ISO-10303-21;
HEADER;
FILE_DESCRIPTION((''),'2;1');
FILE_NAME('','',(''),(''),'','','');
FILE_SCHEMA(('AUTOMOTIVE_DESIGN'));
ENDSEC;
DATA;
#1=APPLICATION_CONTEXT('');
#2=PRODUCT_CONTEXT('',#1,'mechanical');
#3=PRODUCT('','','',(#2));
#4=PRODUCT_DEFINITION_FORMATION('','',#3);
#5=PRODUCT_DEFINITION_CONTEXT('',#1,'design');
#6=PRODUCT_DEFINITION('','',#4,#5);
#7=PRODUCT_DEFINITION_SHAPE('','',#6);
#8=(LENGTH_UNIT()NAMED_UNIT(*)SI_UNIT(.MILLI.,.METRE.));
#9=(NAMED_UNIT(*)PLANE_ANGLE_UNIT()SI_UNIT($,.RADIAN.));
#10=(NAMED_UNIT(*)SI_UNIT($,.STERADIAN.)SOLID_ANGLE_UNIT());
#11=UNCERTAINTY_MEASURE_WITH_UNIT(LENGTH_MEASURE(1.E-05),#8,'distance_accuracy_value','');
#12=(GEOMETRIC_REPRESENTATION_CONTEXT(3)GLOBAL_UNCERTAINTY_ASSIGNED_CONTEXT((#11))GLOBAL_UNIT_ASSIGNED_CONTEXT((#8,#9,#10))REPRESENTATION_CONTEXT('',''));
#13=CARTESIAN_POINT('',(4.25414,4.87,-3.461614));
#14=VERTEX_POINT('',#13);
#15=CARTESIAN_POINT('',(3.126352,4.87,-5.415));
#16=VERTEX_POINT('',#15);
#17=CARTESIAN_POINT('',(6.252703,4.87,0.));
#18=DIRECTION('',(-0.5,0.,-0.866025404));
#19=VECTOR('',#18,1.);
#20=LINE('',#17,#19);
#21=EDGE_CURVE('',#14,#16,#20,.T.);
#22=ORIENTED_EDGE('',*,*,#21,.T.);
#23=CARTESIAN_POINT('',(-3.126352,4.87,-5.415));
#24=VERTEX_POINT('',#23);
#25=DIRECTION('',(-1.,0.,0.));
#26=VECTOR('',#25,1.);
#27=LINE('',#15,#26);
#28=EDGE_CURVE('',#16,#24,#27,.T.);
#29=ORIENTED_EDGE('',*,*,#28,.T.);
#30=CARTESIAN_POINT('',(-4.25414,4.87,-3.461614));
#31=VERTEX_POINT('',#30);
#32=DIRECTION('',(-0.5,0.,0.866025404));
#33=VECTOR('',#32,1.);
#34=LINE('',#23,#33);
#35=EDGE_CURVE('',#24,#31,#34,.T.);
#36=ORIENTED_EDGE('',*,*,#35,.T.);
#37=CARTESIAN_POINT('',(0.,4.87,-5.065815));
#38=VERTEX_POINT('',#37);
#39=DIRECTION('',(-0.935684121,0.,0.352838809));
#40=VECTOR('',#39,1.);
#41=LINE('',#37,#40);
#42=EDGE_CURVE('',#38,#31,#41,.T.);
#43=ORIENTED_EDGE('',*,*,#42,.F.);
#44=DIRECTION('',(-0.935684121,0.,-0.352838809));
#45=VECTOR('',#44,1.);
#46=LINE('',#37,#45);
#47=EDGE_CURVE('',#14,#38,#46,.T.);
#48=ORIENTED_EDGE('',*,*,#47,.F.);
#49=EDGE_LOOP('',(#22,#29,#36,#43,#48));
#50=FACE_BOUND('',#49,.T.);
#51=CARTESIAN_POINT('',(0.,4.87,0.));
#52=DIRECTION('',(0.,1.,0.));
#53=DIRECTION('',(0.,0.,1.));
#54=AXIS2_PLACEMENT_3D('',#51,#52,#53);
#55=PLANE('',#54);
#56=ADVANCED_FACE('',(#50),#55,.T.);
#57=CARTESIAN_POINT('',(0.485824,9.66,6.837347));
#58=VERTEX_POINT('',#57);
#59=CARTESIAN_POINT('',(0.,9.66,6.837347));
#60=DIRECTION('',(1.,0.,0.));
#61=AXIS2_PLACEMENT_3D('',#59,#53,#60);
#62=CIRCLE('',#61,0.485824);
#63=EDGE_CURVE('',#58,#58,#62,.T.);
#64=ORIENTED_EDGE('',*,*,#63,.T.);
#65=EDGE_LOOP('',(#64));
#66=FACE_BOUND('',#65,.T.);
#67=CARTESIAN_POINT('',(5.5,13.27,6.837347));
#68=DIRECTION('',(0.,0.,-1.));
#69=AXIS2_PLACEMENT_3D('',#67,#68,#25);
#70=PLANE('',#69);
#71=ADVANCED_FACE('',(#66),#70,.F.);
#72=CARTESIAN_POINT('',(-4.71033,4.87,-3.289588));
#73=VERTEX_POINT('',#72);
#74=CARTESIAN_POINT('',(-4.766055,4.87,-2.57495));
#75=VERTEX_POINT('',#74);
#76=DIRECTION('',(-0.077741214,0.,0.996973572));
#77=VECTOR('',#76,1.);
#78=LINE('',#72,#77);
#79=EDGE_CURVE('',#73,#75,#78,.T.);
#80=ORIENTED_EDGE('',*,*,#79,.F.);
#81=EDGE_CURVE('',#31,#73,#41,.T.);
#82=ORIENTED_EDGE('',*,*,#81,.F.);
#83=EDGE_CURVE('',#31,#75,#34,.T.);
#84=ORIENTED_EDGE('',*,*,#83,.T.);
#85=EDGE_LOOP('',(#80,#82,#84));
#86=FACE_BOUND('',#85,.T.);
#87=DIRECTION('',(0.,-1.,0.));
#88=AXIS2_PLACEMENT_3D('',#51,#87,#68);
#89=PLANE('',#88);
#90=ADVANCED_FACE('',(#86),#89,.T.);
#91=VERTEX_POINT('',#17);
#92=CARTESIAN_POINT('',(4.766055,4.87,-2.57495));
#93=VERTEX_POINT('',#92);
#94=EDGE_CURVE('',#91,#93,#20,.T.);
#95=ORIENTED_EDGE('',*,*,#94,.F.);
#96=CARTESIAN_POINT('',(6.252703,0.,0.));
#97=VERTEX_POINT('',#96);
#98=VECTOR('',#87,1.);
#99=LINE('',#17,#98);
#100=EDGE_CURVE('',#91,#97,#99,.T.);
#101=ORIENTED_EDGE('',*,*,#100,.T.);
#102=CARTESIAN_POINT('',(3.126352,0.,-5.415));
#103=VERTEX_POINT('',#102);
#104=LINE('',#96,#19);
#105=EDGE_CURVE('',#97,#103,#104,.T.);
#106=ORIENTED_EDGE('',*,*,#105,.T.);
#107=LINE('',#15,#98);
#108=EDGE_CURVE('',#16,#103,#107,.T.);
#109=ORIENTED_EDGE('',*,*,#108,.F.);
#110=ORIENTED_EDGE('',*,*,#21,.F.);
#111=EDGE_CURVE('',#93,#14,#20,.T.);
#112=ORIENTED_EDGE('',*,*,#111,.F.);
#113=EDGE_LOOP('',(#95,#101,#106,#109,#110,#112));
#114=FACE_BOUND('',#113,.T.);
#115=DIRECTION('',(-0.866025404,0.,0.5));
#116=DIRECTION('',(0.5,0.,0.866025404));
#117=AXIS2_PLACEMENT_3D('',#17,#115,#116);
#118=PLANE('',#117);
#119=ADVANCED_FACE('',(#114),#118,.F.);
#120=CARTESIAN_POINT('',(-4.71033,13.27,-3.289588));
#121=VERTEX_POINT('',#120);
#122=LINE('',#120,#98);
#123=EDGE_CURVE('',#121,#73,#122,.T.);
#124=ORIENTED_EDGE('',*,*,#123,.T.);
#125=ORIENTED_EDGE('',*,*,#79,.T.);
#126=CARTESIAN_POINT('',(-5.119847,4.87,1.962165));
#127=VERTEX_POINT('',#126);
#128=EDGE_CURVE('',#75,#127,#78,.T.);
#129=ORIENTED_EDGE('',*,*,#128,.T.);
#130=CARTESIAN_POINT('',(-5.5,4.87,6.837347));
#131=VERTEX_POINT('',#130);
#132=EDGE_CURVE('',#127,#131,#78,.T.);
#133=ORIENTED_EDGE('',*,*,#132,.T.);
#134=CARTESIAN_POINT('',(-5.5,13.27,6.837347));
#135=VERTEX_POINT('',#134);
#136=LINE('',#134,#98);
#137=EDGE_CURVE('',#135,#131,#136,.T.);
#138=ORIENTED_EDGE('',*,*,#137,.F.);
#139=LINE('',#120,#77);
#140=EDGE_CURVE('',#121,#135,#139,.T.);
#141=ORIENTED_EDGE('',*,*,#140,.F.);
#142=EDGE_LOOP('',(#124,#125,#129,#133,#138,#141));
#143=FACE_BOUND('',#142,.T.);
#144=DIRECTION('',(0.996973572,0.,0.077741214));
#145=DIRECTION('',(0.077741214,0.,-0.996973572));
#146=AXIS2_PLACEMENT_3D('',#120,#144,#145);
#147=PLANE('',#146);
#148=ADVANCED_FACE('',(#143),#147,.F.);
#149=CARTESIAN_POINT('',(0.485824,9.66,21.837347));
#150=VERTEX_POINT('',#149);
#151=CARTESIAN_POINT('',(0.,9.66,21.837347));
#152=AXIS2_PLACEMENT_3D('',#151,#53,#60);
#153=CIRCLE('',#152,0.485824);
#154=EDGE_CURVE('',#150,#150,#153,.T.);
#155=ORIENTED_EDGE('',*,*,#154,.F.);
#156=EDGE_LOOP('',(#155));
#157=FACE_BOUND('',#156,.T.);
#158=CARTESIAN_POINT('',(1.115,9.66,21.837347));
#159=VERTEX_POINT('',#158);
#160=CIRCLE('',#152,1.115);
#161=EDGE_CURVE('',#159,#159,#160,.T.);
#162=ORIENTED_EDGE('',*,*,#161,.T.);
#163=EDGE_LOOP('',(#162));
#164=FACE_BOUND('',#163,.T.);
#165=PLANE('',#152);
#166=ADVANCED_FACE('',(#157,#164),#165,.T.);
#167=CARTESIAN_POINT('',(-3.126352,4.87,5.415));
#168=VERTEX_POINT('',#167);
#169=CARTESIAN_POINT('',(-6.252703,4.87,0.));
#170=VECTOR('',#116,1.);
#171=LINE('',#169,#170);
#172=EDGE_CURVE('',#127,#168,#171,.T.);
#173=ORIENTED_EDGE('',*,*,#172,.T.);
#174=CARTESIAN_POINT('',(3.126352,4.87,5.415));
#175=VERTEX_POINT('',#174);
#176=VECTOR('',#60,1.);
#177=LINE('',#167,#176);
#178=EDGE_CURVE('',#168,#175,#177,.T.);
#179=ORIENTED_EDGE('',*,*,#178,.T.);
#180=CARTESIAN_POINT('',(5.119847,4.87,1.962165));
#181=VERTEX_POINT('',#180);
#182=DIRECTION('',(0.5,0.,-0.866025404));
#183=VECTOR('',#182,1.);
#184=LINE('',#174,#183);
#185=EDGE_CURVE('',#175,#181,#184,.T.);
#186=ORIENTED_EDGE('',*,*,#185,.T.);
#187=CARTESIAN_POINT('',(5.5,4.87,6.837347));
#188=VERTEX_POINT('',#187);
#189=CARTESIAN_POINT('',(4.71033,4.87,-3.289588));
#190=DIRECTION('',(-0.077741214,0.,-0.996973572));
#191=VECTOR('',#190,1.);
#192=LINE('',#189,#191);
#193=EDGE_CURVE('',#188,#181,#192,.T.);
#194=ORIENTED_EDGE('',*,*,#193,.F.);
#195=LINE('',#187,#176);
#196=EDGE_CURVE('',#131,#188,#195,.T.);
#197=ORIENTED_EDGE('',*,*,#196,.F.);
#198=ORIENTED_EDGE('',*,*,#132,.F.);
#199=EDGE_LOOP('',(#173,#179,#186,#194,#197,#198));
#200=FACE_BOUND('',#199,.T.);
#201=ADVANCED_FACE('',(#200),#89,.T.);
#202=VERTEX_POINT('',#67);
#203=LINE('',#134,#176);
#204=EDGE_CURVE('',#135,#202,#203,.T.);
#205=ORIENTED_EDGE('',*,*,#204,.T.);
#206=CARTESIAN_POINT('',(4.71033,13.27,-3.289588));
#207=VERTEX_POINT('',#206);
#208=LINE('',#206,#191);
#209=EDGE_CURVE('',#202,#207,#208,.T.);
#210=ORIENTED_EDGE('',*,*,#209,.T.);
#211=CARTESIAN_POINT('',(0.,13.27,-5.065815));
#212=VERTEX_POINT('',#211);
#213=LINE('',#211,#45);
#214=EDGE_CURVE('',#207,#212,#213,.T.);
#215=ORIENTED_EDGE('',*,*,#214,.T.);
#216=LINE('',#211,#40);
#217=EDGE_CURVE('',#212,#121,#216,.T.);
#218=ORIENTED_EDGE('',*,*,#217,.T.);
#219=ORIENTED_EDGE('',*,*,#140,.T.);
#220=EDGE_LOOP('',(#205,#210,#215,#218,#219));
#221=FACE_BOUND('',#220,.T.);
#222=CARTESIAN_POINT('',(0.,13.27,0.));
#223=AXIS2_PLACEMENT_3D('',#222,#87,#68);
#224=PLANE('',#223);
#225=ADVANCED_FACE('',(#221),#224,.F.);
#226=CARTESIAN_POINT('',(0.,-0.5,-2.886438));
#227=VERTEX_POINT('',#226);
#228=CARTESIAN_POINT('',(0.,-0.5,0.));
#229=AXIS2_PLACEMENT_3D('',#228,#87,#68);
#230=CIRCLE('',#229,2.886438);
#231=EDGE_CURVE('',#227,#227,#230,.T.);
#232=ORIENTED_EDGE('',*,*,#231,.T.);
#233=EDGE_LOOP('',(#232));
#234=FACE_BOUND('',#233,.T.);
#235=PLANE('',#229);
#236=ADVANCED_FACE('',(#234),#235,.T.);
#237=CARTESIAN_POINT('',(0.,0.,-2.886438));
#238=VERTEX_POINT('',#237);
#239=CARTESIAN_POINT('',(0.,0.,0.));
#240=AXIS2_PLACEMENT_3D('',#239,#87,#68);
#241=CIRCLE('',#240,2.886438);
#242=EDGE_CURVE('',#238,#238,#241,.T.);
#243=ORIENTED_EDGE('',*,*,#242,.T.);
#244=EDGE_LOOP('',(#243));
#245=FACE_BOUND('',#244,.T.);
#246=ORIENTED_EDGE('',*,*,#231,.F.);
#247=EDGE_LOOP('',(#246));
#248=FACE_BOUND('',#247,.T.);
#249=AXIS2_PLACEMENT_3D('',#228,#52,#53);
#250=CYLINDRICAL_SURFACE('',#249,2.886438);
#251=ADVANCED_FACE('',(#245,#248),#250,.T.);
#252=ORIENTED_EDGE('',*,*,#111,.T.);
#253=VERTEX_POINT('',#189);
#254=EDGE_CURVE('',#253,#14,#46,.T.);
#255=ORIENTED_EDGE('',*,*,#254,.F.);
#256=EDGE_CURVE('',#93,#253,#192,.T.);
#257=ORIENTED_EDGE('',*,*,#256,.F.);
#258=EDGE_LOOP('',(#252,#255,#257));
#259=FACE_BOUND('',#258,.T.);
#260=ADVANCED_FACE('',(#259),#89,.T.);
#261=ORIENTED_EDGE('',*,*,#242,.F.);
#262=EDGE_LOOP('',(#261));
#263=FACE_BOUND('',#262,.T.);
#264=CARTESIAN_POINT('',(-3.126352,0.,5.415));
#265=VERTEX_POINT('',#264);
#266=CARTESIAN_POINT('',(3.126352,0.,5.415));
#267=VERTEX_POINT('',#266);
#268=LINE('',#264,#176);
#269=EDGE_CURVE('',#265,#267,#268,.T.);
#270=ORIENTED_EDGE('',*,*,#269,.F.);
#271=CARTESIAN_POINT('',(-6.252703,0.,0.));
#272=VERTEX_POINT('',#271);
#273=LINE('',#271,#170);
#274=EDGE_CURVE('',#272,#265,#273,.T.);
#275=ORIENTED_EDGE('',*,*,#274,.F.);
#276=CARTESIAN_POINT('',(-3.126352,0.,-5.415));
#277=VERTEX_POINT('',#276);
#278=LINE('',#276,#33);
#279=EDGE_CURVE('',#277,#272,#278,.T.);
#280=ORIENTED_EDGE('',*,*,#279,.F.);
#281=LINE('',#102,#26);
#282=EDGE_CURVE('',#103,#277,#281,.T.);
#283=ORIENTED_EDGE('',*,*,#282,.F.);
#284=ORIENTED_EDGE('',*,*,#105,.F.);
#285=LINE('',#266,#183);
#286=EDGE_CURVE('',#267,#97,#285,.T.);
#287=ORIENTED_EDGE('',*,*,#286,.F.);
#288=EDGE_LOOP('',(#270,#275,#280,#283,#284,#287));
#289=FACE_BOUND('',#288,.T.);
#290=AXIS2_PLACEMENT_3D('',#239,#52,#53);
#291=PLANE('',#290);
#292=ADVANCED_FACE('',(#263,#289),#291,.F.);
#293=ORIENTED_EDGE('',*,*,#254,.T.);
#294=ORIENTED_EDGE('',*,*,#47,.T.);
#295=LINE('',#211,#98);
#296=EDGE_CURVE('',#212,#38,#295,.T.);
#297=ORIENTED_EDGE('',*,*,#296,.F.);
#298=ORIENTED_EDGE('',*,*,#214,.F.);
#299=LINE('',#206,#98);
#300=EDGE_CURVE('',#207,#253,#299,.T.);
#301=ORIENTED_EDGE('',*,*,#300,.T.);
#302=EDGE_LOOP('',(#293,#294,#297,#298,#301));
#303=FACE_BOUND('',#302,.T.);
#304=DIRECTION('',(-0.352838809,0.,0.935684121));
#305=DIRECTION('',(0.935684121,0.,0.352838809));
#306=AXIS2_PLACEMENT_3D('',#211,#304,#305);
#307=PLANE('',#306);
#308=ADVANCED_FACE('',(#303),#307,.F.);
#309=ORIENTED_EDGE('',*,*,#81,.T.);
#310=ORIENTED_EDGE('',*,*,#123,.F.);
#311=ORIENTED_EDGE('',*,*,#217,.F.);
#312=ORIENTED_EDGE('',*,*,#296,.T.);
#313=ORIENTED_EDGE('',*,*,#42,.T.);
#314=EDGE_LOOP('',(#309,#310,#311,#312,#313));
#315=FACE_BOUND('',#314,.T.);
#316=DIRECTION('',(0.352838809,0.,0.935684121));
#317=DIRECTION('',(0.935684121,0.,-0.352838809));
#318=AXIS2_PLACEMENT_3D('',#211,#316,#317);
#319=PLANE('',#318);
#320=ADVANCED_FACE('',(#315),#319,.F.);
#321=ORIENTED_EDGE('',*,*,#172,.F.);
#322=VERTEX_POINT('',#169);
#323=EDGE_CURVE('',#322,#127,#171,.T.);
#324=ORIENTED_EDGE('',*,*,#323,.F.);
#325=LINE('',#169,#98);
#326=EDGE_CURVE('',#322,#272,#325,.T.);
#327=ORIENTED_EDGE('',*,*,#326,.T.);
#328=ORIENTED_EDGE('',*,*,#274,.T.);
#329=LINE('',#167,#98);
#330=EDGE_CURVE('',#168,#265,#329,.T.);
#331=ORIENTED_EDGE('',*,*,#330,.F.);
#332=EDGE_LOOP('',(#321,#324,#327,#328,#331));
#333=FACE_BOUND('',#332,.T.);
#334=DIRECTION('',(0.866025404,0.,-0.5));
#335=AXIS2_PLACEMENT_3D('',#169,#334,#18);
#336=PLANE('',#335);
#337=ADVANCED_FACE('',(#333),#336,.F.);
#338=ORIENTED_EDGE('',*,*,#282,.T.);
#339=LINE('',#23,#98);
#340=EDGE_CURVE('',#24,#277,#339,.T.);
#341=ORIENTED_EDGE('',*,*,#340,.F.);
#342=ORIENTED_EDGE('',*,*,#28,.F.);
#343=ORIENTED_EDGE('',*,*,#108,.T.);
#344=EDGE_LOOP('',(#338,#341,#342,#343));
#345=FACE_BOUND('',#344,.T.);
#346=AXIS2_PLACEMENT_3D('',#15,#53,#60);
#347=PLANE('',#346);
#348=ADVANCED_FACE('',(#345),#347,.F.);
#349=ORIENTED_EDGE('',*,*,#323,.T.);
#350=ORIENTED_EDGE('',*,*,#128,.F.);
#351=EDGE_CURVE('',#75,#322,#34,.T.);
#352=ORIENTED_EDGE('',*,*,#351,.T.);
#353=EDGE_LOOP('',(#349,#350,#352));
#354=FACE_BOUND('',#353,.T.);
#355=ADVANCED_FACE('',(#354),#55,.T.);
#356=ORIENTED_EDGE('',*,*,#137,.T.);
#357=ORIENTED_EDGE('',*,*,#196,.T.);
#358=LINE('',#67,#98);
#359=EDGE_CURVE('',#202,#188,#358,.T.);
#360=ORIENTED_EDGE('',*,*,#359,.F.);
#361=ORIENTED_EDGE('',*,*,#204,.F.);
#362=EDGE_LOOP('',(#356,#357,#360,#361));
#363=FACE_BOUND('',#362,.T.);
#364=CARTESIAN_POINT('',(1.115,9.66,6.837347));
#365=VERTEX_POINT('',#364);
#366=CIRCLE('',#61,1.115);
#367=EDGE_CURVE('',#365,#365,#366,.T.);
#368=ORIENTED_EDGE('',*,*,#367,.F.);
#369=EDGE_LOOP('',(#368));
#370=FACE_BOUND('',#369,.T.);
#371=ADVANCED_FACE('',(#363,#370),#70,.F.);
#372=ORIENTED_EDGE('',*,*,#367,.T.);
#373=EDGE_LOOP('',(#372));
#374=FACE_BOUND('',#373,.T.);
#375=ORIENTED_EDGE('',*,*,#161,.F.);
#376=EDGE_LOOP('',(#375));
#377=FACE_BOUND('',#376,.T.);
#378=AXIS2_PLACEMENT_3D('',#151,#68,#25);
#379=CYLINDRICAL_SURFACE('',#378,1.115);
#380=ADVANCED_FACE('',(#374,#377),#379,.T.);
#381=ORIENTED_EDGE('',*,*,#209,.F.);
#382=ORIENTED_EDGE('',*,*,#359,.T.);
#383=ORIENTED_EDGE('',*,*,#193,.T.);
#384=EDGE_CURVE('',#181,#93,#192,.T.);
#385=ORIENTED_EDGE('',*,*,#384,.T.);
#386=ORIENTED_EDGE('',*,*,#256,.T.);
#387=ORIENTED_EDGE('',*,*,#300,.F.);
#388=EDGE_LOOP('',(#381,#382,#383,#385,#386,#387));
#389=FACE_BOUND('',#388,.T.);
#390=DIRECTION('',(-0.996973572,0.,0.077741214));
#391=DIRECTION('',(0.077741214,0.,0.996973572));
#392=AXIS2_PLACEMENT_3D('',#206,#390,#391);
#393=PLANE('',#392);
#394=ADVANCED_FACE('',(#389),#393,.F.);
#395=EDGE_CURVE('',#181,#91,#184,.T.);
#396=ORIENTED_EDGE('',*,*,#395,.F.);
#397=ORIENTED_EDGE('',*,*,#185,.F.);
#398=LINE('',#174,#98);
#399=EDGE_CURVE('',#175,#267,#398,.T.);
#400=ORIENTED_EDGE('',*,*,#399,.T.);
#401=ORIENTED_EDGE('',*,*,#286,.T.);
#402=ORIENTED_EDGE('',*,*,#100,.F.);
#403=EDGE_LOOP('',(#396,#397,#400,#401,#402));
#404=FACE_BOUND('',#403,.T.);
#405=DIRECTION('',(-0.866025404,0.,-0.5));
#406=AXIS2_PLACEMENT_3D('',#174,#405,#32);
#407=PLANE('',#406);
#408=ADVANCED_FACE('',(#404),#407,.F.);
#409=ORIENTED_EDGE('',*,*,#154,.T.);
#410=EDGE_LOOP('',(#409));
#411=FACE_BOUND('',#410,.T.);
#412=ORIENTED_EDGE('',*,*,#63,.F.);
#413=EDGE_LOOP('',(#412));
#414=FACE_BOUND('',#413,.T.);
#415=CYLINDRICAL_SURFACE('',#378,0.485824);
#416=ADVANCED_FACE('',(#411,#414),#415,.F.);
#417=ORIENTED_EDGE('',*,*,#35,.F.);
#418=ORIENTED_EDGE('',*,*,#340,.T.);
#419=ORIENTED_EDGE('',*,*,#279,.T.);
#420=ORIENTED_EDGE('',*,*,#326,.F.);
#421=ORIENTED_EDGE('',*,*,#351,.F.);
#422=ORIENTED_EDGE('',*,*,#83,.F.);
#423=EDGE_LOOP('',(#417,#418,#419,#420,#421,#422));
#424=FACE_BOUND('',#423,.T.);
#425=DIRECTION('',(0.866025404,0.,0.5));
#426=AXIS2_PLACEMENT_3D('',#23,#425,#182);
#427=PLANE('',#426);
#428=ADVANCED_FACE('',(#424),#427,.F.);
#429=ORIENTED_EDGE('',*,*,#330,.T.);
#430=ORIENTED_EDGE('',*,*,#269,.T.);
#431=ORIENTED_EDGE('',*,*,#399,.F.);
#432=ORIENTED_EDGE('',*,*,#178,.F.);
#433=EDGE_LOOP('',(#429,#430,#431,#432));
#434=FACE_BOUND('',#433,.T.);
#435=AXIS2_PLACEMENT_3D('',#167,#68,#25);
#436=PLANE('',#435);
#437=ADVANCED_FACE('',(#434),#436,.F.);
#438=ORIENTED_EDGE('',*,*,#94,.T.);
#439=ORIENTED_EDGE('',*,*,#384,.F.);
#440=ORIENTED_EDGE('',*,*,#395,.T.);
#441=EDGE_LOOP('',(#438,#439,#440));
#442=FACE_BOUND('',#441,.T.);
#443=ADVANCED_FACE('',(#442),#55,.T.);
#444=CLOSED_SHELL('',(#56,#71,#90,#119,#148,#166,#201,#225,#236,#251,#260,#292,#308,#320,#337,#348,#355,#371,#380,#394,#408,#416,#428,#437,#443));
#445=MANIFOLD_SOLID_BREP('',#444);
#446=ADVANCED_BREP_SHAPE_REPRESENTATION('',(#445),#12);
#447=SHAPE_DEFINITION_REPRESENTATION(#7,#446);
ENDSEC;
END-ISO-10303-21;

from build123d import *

# Parameters (mm, degrees)
BOSS_EXTRUDE1_DEPTH = 4.87
BOSS_EXTRUDE2_DEPTH = 8.4
SKETCH3_R           = 1.115
SKETCH3_R_2         = 0.48582374
BOSS_EXTRUDE3_DEPTH = 15
SKETCH4_R           = 2.886437974
BOSS_EXTRUDE4_DEPTH = 0.5


with BuildPart() as part:
    # Sketch1 → Boss-Extrude1 (new body)
    with BuildSketch(Plane(origin=(0, 0, 0), x_dir=(1, 0, 0), z_dir=(0, 1, 0))):
        Polygon((6.252703415, 0), (3.126351708, 5.415), (-3.126351708, 5.415), (-6.252703415, 0), (-3.126351708, -5.415), (3.126351708, -5.415), align=None)
    extrude(amount=BOSS_EXTRUDE1_DEPTH)

    # Sketch2 → Boss-Extrude2 (add)
    with BuildSketch(Plane(origin=(0, 4.87, 0), x_dir=(1, 0, 0), z_dir=(0, 1, 0))):
        Polygon((0, 5.065814818), (-4.710329867, 3.289588054), (-5.5, -6.837347299), (-1.528536321, -6.837347299), (5.5, -6.837347299), (4.710329867, 3.289588054), align=None)
    extrude(amount=BOSS_EXTRUDE2_DEPTH)

    # Sketch3 → Boss-Extrude3 (add)
    with BuildSketch(Plane.XY.offset(6.837347299)):
        with Locations((0, 9.66)):
            Circle(SKETCH3_R)
        with Locations((0, 9.66)):
            Circle(SKETCH3_R_2, mode=Mode.SUBTRACT)
    extrude(amount=BOSS_EXTRUDE3_DEPTH)

    # Sketch4 → Boss-Extrude4 (add)
    with BuildSketch(Plane.XZ):
        Circle(SKETCH4_R)
    extrude(amount=BOSS_EXTRUDE4_DEPTH)


solid = part.part
